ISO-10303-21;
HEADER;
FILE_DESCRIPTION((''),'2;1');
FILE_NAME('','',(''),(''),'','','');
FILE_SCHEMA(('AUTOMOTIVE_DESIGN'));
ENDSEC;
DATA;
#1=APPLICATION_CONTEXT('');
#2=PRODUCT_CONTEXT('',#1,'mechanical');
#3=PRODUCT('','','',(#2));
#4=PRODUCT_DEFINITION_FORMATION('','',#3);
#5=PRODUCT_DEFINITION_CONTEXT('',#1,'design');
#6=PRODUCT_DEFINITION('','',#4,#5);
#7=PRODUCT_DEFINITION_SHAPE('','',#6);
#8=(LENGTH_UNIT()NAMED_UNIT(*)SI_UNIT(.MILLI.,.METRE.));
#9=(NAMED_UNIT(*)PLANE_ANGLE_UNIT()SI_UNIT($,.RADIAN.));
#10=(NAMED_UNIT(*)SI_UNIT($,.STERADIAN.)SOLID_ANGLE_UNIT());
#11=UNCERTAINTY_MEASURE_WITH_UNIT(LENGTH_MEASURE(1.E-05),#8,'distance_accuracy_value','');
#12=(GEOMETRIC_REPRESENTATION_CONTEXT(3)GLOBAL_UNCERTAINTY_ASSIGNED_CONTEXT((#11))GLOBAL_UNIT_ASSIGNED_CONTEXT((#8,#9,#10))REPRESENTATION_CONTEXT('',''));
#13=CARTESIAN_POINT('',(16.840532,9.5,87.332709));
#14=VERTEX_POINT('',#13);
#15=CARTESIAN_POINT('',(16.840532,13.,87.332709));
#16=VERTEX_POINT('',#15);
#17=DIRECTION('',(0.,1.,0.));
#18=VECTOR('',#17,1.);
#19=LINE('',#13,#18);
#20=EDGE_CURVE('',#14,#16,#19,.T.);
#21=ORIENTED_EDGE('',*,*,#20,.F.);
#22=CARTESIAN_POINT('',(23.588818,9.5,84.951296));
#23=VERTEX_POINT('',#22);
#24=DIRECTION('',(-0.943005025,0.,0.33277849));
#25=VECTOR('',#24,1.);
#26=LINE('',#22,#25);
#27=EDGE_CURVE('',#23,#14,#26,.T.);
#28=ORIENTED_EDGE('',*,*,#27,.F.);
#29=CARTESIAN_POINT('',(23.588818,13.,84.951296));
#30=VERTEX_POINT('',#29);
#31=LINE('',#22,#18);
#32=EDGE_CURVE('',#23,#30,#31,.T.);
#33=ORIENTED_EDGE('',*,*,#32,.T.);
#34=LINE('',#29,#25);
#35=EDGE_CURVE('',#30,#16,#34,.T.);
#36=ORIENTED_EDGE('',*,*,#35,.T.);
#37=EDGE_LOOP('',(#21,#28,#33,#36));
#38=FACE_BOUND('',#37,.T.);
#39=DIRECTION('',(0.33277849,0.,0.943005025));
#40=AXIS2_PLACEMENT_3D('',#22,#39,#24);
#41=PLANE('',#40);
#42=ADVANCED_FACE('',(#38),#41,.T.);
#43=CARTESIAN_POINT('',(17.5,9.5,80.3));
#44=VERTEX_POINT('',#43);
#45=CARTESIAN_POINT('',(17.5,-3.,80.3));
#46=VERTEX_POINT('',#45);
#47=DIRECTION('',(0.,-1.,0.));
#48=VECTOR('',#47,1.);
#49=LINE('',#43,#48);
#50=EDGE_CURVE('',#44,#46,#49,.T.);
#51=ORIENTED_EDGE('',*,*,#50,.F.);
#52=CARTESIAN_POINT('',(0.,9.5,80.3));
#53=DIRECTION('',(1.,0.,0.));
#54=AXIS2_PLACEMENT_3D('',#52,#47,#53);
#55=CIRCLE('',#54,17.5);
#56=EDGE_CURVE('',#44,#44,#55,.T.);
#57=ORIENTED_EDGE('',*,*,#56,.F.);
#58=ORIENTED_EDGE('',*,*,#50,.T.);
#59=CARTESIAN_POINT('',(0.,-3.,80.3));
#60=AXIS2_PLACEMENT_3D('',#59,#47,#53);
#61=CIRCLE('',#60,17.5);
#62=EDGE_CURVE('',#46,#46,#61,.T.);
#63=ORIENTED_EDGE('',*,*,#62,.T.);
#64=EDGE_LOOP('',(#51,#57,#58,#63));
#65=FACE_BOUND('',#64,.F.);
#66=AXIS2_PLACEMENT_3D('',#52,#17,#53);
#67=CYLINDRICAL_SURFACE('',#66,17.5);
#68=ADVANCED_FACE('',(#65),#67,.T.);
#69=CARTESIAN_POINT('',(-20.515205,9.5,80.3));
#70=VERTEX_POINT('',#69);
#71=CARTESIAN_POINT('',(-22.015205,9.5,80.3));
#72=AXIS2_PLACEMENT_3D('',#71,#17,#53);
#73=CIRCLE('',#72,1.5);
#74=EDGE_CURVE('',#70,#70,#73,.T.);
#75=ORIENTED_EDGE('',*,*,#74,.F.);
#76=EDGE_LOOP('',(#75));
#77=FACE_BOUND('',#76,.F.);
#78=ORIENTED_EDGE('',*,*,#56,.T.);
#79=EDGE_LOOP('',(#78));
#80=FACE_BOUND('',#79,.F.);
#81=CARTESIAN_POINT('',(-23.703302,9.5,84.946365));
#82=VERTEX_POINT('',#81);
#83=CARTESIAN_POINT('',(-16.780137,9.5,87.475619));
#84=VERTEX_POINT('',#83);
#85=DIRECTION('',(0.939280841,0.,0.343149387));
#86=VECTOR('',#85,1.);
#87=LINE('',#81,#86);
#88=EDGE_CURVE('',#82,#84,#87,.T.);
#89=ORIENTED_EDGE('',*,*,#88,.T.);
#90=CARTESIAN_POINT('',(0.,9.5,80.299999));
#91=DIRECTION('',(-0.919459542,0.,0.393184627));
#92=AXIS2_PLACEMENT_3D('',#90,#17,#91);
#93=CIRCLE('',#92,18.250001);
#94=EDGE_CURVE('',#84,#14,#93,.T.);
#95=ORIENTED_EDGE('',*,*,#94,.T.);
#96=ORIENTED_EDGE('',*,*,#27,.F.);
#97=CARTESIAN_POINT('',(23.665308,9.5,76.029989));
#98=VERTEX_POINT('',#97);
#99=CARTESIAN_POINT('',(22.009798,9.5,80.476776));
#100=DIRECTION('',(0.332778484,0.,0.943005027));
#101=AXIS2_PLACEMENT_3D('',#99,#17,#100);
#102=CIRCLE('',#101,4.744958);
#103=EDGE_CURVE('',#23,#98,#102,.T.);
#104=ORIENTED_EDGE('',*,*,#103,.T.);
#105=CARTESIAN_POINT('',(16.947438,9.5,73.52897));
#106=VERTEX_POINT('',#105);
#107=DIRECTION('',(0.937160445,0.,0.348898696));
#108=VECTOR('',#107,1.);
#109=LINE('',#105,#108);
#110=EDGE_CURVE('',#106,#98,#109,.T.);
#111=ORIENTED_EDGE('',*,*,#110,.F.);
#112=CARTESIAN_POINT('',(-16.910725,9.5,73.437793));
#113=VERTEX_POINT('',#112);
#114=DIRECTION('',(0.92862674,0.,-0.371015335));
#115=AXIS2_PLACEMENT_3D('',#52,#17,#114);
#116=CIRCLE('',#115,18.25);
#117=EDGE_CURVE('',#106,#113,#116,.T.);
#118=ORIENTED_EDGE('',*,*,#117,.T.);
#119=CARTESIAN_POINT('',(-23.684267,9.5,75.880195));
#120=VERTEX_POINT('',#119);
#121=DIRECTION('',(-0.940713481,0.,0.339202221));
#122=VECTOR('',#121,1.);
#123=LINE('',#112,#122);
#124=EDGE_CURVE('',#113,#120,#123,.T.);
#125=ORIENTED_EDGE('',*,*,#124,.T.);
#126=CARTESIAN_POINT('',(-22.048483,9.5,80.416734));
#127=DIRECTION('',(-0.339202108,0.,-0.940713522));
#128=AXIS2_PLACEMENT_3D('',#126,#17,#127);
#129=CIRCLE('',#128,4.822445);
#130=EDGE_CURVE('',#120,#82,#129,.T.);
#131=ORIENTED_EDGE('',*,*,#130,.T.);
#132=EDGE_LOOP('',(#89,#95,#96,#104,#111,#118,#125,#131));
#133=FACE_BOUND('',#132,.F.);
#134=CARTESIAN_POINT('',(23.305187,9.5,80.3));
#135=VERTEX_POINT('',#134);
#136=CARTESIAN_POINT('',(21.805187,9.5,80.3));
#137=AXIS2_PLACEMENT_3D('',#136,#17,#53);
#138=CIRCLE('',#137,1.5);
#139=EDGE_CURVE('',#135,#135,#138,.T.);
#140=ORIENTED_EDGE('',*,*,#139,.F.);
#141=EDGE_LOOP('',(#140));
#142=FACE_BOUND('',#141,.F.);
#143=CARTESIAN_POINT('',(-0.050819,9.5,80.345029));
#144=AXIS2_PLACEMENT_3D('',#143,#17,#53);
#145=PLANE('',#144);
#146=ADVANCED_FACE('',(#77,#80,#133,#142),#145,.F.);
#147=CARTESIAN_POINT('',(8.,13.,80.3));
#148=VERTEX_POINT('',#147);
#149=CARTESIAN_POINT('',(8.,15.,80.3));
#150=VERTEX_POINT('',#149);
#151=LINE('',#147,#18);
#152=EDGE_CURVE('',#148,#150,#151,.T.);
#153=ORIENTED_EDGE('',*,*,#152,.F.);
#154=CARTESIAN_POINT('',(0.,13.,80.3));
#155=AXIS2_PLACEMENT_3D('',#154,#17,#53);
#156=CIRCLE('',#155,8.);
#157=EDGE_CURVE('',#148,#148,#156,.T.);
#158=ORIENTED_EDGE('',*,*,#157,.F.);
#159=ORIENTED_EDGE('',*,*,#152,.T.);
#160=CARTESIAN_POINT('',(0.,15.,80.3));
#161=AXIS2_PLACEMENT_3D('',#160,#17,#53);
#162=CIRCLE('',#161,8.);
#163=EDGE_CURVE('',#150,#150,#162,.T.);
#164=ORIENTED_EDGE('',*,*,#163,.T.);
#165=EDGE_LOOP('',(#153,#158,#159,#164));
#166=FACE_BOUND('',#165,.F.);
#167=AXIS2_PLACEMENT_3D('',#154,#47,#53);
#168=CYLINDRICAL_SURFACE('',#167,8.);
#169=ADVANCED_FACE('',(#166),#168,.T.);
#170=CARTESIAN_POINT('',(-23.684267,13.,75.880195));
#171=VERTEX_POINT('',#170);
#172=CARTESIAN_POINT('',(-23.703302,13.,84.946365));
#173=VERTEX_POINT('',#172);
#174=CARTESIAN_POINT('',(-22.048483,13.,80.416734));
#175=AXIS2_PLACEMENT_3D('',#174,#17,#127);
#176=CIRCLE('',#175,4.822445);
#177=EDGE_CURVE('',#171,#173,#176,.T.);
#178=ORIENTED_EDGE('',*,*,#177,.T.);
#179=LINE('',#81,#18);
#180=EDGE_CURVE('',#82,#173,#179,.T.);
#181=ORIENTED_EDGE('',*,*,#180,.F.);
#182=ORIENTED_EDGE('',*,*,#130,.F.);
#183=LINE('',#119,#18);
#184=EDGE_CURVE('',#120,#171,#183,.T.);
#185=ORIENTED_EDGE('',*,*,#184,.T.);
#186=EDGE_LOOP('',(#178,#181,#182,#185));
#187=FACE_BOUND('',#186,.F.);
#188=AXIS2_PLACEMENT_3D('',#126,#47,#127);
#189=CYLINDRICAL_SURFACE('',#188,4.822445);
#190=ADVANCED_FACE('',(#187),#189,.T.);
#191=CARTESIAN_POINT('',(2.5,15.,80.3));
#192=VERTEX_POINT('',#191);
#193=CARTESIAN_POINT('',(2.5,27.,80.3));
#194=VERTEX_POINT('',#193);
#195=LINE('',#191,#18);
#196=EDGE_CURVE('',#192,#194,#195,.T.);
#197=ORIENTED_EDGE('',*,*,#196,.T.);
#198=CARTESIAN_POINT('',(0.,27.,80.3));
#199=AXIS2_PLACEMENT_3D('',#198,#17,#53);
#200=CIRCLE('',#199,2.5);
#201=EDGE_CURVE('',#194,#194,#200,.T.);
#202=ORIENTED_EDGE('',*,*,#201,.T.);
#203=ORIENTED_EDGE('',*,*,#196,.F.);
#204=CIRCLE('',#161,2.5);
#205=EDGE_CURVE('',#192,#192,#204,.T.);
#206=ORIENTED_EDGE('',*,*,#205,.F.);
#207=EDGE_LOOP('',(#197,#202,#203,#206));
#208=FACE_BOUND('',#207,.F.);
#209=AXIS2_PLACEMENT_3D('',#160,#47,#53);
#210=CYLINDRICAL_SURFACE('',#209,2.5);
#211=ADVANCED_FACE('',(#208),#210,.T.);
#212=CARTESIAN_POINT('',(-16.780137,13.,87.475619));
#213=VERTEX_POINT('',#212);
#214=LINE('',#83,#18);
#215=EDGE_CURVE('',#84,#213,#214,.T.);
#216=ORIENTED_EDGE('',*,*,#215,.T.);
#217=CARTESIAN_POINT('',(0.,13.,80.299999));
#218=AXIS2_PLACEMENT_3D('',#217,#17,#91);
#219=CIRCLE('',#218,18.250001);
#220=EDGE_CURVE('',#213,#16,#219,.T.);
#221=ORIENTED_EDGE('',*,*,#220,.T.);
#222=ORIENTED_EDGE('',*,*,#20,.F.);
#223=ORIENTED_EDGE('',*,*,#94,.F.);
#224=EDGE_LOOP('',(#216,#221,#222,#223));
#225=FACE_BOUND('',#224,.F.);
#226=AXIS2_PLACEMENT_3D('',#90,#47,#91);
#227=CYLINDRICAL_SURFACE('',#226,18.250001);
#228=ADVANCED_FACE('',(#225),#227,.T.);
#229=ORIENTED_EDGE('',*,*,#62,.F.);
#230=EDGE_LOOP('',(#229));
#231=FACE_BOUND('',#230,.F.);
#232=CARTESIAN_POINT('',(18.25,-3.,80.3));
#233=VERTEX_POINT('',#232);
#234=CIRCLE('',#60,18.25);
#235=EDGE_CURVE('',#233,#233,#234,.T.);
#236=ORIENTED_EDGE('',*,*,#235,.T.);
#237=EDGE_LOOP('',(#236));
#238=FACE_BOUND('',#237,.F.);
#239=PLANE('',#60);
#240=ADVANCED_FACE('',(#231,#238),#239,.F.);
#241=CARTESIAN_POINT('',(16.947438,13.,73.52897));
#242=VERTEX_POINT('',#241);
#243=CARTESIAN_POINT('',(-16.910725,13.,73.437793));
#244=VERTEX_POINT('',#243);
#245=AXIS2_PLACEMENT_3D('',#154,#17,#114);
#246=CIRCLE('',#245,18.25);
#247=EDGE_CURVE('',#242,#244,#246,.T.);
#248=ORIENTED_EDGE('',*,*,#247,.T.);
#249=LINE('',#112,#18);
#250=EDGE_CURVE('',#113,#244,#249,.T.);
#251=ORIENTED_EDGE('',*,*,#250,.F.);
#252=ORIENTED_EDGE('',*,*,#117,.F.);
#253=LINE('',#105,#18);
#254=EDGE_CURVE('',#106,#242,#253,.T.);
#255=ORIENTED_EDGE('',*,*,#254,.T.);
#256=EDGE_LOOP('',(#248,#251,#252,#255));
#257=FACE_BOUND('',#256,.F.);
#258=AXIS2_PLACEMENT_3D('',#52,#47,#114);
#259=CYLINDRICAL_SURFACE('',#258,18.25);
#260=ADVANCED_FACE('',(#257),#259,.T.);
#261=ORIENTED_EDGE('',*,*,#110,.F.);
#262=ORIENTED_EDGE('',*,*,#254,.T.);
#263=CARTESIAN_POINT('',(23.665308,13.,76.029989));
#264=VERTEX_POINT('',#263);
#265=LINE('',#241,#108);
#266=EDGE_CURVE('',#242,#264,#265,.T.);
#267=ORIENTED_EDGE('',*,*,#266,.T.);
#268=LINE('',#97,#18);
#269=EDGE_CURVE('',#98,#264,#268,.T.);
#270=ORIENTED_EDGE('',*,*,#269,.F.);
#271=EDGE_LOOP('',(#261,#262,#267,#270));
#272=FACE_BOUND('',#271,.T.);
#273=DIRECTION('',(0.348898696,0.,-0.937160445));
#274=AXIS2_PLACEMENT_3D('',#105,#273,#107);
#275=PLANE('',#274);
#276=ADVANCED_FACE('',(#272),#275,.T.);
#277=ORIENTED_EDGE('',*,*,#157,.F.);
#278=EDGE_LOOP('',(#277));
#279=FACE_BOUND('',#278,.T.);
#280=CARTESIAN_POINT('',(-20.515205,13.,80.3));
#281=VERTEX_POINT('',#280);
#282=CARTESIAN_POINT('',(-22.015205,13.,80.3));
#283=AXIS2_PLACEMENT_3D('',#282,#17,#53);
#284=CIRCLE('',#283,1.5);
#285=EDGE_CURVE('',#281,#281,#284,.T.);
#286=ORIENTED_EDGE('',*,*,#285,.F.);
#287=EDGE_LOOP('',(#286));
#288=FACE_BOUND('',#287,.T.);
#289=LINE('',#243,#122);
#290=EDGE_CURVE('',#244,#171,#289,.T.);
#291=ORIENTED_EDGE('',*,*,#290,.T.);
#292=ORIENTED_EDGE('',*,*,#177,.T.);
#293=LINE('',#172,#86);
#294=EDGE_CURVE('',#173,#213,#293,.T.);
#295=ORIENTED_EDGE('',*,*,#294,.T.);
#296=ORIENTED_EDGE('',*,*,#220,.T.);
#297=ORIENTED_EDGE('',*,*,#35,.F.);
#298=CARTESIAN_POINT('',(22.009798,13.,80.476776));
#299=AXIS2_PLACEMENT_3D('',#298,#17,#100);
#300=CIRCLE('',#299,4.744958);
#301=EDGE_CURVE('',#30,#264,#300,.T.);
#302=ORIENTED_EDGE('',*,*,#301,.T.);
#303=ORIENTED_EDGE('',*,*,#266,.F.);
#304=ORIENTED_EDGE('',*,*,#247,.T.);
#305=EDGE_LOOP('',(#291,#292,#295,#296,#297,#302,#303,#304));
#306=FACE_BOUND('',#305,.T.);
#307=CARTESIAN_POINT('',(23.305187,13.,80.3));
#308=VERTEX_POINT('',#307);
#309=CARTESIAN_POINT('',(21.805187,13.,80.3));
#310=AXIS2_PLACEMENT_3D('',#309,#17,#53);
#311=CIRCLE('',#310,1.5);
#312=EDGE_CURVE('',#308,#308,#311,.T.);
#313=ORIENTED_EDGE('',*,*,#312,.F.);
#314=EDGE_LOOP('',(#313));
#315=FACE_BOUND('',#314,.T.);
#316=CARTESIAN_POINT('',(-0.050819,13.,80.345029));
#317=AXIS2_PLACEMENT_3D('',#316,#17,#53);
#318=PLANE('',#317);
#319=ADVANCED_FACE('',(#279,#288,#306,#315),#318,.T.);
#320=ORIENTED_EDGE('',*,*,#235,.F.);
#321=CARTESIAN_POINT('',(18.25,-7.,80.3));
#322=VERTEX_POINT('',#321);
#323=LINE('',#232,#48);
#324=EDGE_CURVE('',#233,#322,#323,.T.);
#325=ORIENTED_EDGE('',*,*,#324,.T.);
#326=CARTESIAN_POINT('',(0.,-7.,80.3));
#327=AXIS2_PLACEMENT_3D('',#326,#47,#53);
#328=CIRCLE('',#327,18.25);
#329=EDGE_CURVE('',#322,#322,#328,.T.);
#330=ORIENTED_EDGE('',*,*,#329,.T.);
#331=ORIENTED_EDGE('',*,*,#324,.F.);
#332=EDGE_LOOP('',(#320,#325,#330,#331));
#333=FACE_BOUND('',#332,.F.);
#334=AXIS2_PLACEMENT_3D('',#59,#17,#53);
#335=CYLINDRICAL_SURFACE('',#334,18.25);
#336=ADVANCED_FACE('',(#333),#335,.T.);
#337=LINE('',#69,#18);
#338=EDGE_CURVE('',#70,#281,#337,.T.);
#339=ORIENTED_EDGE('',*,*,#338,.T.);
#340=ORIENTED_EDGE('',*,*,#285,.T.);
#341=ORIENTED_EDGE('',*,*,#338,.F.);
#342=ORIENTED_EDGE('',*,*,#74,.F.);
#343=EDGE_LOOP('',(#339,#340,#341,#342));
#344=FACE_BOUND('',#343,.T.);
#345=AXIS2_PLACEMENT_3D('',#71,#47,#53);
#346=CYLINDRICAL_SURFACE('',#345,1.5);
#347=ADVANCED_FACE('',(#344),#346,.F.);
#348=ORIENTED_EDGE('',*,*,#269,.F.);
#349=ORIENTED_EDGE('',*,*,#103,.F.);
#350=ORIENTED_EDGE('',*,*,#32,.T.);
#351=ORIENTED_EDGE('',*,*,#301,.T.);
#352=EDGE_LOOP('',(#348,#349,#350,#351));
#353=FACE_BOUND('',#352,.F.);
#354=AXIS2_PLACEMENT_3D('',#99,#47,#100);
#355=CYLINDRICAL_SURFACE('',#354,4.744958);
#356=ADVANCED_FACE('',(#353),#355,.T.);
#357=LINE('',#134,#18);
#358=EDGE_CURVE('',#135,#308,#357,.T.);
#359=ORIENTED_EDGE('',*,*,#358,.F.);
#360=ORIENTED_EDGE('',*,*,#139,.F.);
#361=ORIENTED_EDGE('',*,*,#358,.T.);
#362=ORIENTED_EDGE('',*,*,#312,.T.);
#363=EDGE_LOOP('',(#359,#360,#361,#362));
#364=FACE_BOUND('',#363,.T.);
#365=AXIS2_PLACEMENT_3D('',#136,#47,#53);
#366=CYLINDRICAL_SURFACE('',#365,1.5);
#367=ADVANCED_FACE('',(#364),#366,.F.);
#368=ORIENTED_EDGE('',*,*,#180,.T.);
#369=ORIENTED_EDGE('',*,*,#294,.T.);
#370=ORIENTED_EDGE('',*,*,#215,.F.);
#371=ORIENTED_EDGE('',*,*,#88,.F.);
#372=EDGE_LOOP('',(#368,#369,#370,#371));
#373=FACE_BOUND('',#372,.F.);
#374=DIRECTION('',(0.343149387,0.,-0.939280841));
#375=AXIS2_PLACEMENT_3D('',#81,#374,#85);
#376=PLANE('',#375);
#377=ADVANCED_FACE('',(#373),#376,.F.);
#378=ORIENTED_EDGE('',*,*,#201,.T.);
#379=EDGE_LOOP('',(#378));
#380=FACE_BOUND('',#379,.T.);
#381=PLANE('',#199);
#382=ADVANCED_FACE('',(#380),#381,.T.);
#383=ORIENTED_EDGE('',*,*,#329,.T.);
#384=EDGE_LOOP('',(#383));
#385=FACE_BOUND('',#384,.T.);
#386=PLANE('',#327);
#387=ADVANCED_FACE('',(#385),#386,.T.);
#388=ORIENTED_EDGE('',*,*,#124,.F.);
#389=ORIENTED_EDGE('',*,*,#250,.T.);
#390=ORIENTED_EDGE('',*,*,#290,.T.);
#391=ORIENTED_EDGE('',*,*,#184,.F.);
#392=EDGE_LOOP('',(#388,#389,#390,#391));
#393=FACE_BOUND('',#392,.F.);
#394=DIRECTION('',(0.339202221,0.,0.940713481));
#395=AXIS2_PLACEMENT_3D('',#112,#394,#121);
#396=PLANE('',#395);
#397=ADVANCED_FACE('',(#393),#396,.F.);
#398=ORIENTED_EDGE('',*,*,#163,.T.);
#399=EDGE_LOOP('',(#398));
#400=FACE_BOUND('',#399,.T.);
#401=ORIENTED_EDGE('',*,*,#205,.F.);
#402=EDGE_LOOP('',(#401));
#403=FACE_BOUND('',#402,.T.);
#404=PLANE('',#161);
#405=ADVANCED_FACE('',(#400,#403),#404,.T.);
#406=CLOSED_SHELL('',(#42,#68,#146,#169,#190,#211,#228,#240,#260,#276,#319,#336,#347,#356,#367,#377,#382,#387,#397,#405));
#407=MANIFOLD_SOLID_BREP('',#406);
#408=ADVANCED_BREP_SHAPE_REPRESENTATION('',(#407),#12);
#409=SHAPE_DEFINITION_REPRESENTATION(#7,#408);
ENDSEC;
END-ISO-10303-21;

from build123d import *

# Parameters (mm, degrees)
SKETCH051_R             = 1.5
PAD022_DEPTH            = 3.5
SKETCH052_R             = 17.5
PAD003_DEPTH            = 12.5
SKETCH053_R             = 18.25
PAD004_DEPTH            = 4
SKETCH005_R             = 8
PAD023_DEPTH            = 2
SKETCH006_R             = 2.5
PAD021_DEPTH            = 12
BODY024_PLACEMENT_ANGLE = 90


with BuildPart() as part:
    # Sketch051 → Pad022 (new body)
    with BuildSketch(Plane.XY):
        with BuildLine():
            ThreePointArc((-16.780137, -7.175619), (0.077574, -18.249835), (16.840532, -7.032709))
            Line((23.588818, -4.651296), (16.840532, -7.032709))
            ThreePointArc((23.588818, -4.651296), (26.754582, -0.217457), (23.665308, 4.270011))
            Line((16.947438, 6.77103), (23.665308, 4.270011))
            ThreePointArc((16.947438, 6.77103), (0.049146, 18.249934), (-16.910725, 6.862207))
            Line((-16.910725, 6.862207), (-23.684267, 4.419805))
            ThreePointArc((-23.684267, 4.419805), (-26.870918, -0.10661), (-23.703302, -4.646365))
            Line((-23.703302, -4.646365), (-16.780137, -7.175619))
        make_face()
        with Locations((-22.015205, 0)):
            Circle(SKETCH051_R, mode=Mode.SUBTRACT)
        with Locations((21.805187, 0)):
            Circle(SKETCH051_R, mode=Mode.SUBTRACT)
    extrude(amount=PAD022_DEPTH)

    # Sketch052 (on Face11 of Pad022) → Pad003 (join)
    with BuildSketch(Plane(origin=(0, 0, 0), x_dir=(1, 0, 0), z_dir=(0, 0, -1))):
        Circle(SKETCH052_R)
    extrude(amount=PAD003_DEPTH)

    # Sketch053 (on Face14 of Pad003) → Pad004 (join)
    with BuildSketch(Plane(origin=(0, 0, -12.5), x_dir=(1, 0, 0), z_dir=(0, 0, -1))):
        Circle(SKETCH053_R)
    extrude(amount=PAD004_DEPTH)

    # Sketch005 (on Face16 of Pad004) → Pad023 (join)
    with BuildSketch(Plane.XY.offset(3.5)):
        Circle(SKETCH005_R)
    extrude(amount=PAD023_DEPTH)

    # Sketch006 (on Face18 of Pad023) → Pad021 (join)
    with BuildSketch(Plane.XY.offset(5.5)):
        Circle(SKETCH006_R)
    extrude(amount=PAD021_DEPTH)


with BuildPart() as part_1:
    # Body024 placement: moved
    add(part.part.moved(Location((0, 9.5, 80.3))).rotate(Axis((0, 9.5, 80.3), (-1, 0, 0)), BODY024_PLACEMENT_ANGLE))


solid = part_1.part
